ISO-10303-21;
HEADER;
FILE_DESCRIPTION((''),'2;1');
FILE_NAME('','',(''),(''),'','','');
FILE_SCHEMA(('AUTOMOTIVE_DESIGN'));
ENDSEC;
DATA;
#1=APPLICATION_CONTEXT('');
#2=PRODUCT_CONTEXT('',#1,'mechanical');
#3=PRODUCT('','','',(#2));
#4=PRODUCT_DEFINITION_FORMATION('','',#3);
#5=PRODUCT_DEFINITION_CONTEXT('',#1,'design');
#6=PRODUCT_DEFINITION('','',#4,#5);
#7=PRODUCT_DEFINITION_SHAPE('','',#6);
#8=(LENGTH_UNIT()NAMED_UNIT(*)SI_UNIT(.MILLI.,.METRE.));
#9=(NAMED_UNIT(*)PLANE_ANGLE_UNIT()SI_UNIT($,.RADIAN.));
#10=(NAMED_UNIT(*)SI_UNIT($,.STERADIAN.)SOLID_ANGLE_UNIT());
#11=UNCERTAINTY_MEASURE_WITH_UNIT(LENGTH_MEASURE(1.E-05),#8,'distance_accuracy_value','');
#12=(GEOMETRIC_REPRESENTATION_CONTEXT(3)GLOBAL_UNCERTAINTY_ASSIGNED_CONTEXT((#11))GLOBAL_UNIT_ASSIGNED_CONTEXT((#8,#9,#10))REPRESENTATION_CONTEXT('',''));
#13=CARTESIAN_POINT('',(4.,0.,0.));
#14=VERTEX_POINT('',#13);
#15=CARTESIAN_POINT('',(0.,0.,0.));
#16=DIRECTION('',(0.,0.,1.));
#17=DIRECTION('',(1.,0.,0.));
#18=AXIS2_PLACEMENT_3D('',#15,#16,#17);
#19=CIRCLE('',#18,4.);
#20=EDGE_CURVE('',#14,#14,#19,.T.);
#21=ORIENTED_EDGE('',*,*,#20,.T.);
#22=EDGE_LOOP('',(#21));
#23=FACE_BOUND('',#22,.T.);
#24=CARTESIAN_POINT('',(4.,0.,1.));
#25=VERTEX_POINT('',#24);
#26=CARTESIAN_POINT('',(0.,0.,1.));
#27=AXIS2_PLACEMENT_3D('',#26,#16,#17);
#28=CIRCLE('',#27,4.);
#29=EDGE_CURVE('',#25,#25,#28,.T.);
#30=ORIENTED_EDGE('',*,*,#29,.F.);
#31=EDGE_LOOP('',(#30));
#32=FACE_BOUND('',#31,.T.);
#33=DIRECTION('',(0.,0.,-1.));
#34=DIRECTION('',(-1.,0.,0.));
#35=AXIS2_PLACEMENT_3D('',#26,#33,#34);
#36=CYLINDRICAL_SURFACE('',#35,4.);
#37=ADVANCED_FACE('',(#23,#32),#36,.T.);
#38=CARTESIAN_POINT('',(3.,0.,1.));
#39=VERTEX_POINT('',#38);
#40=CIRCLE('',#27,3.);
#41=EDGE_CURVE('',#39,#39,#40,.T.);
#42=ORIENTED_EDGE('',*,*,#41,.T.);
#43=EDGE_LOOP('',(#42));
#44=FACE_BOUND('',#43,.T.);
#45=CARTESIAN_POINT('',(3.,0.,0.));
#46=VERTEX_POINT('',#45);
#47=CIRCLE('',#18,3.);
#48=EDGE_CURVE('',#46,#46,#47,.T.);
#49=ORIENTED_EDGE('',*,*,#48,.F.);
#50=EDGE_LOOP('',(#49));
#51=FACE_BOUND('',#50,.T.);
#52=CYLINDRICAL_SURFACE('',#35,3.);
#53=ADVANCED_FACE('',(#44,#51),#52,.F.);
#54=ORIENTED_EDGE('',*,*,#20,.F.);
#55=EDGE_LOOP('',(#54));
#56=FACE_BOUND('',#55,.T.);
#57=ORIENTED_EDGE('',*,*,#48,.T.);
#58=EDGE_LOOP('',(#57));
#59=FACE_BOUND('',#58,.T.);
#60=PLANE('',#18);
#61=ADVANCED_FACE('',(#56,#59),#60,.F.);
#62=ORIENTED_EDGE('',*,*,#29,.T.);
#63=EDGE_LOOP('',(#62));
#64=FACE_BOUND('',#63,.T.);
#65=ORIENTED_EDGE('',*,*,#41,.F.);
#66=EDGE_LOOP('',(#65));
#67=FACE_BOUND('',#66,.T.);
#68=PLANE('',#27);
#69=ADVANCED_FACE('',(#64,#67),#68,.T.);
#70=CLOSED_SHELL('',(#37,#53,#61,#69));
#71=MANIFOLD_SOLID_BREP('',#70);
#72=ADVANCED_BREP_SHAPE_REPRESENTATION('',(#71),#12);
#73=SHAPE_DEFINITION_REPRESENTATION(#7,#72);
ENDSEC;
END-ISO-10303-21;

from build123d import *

# Parameters (mm, degrees)
CROQUIS1_R              = 4
CROQUIS1_R_2            = 3
SALIENTE_EXTRUIR1_DEPTH = 1


with BuildPart() as part:
    # Croquis1 → Saliente-Extruir1 (new body)
    with BuildSketch(Plane.XY):
        Circle(CROQUIS1_R)
        Circle(CROQUIS1_R_2, mode=Mode.SUBTRACT)
    extrude(amount=SALIENTE_EXTRUIR1_DEPTH)


solid = part.part
